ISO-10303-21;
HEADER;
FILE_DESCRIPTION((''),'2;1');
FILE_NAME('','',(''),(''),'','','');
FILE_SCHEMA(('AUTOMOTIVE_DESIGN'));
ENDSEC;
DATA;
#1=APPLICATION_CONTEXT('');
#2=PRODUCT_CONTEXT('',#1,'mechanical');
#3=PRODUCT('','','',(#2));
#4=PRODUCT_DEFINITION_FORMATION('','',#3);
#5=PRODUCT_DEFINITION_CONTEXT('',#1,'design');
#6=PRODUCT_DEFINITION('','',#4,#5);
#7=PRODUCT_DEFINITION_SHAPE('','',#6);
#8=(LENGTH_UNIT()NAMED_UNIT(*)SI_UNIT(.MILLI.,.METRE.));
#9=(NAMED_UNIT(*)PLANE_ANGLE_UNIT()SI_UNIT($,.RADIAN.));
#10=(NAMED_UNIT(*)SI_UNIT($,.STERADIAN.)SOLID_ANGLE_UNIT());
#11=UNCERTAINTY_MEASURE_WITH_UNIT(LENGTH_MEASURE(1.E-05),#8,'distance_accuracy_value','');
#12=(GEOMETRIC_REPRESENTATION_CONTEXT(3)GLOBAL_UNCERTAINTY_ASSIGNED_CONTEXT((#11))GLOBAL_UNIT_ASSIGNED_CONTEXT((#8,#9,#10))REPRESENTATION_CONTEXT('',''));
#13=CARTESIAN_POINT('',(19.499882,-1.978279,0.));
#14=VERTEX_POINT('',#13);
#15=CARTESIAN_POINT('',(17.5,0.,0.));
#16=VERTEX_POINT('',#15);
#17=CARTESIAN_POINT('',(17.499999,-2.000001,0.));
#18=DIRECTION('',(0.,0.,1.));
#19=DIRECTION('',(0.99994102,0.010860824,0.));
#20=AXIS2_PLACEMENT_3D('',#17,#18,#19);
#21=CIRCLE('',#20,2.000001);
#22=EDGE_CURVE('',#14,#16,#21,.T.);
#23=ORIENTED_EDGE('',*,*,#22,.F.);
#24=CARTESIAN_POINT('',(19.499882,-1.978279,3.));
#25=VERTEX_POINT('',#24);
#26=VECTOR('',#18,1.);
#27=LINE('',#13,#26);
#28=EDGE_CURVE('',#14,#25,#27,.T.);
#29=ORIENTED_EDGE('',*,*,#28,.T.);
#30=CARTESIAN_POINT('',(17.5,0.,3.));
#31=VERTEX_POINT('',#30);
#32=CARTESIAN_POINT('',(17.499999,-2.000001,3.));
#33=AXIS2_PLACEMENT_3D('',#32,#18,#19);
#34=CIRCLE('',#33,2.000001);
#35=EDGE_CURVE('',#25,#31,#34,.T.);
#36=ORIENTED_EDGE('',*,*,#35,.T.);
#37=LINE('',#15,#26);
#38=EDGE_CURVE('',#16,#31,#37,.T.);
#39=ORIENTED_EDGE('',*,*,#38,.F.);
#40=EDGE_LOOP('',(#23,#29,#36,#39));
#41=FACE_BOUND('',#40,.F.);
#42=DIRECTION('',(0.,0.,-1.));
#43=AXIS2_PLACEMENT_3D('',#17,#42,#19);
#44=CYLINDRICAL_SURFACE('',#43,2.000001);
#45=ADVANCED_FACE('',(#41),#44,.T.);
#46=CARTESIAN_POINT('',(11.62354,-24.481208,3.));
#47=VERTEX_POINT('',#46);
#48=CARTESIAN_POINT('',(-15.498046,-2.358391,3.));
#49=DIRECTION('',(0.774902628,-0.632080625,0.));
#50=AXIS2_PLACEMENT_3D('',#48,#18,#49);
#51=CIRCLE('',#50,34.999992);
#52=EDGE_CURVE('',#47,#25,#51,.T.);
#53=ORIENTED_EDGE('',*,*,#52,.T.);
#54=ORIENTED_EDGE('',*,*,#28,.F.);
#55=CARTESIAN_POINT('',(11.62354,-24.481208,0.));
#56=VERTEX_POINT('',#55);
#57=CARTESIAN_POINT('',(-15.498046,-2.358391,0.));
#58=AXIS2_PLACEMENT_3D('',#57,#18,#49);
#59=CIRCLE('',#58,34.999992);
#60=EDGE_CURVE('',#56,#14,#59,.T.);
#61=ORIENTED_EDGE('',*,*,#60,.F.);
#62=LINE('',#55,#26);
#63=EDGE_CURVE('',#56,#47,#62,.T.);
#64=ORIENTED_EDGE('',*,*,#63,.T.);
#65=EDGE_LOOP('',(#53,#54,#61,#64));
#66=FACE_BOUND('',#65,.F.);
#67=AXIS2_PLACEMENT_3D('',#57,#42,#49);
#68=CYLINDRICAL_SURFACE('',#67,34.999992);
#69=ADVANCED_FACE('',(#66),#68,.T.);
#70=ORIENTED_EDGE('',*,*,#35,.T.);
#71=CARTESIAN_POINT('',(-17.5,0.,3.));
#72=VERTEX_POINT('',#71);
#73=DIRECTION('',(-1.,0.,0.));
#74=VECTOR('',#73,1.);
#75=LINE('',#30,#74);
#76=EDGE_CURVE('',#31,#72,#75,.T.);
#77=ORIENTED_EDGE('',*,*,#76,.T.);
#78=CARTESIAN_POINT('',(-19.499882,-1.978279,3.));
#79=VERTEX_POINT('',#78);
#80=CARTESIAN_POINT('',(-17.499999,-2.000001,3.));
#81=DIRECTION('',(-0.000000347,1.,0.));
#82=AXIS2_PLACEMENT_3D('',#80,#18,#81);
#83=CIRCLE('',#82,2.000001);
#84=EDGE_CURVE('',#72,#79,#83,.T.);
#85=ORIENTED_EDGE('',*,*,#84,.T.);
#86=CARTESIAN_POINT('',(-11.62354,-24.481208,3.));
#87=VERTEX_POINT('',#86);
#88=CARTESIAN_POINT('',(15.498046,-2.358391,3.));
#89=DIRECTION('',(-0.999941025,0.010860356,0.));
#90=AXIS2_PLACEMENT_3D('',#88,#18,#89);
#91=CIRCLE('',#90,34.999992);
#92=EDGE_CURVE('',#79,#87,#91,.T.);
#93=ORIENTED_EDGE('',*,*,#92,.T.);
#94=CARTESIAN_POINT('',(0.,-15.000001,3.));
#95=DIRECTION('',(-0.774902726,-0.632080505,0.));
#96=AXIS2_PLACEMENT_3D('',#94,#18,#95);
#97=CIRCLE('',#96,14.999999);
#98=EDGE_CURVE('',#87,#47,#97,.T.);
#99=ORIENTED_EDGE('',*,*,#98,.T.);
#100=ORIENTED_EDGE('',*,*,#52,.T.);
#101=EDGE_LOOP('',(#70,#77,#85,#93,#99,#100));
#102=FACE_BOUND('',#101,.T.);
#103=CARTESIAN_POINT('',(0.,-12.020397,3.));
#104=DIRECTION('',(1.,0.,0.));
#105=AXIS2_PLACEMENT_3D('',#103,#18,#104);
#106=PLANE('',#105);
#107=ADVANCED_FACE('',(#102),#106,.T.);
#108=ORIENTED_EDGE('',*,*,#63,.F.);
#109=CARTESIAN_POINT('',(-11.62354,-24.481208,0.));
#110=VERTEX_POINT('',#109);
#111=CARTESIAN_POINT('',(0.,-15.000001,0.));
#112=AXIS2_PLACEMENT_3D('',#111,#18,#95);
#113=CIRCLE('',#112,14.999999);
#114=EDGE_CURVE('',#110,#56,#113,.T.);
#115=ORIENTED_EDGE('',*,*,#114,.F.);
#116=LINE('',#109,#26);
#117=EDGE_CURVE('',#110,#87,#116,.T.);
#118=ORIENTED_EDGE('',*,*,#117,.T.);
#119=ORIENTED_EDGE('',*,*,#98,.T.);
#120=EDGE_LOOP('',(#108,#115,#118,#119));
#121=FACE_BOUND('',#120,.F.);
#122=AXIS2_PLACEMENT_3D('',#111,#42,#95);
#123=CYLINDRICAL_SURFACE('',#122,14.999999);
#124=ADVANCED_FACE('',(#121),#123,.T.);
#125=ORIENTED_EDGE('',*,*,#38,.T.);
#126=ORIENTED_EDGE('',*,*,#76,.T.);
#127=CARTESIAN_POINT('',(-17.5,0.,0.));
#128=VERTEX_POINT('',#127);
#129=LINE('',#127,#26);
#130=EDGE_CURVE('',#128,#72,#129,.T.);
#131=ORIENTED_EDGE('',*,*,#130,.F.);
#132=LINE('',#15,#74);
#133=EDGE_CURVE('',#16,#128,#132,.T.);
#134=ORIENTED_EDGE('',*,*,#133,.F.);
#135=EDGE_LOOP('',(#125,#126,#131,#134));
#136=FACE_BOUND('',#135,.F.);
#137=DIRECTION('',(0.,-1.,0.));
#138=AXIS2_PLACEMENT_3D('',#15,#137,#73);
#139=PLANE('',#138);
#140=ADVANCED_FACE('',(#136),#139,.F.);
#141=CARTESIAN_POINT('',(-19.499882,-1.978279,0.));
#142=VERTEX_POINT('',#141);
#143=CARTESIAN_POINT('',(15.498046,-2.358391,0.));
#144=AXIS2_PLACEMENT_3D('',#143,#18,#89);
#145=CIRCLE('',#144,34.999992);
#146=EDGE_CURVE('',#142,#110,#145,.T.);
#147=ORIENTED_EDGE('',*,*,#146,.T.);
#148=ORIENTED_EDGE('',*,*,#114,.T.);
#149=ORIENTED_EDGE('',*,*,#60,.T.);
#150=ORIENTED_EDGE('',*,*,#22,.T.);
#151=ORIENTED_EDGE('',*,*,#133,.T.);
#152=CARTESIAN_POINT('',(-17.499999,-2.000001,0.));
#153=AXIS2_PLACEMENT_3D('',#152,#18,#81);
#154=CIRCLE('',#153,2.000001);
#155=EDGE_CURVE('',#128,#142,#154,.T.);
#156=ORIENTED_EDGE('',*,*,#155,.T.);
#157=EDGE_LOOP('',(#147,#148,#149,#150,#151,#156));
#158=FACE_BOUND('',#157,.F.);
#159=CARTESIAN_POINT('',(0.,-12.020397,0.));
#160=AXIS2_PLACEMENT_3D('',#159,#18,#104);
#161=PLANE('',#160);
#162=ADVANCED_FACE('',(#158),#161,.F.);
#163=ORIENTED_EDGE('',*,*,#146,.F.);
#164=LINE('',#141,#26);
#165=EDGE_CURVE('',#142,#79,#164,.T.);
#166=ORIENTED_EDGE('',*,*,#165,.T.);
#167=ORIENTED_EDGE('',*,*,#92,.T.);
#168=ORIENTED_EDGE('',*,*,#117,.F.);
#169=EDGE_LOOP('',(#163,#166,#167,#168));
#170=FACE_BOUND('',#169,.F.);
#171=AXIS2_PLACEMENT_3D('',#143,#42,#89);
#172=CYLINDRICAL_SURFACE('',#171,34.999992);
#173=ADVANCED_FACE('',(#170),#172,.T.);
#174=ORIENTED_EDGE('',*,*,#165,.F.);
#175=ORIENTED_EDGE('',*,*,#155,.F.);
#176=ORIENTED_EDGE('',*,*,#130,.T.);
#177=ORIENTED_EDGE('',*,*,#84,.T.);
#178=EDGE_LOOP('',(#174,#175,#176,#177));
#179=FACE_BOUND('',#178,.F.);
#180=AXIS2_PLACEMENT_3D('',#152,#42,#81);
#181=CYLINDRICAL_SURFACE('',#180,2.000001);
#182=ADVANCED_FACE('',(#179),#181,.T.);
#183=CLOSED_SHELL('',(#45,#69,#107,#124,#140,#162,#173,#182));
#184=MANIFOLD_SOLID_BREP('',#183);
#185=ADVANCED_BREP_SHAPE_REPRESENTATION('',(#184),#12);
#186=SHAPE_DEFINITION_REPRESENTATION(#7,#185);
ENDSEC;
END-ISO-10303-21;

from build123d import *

# Parameters (mm, degrees)
F1_DEPTH = 3


with BuildPart() as f1:
    # F0 (on Top) → F1 (new body)
    with BuildSketch(Plane.XY):
        with BuildLine():
            Line((0, 0), (-17.5, 0))
            ThreePointArc((-17.5, 0), (-18.906513, -0.578128), (-19.499882, -1.978279))
            ThreePointArc((-19.499882, -1.978279), (-17.536844, -13.921068), (-11.62354, -24.481208))
            ThreePointArc((-11.62354, -24.481208), (0, -30), (11.62354, -24.481208))
            ThreePointArc((11.62354, -24.481208), (17.536844, -13.921068), (19.499882, -1.978279))
            ThreePointArc((19.499882, -1.978279), (18.906513, -0.578128), (17.5, 0))
            Line((17.5, 0), (0, 0))
        make_face()
    extrude(amount=F1_DEPTH)


solid = f1.part
